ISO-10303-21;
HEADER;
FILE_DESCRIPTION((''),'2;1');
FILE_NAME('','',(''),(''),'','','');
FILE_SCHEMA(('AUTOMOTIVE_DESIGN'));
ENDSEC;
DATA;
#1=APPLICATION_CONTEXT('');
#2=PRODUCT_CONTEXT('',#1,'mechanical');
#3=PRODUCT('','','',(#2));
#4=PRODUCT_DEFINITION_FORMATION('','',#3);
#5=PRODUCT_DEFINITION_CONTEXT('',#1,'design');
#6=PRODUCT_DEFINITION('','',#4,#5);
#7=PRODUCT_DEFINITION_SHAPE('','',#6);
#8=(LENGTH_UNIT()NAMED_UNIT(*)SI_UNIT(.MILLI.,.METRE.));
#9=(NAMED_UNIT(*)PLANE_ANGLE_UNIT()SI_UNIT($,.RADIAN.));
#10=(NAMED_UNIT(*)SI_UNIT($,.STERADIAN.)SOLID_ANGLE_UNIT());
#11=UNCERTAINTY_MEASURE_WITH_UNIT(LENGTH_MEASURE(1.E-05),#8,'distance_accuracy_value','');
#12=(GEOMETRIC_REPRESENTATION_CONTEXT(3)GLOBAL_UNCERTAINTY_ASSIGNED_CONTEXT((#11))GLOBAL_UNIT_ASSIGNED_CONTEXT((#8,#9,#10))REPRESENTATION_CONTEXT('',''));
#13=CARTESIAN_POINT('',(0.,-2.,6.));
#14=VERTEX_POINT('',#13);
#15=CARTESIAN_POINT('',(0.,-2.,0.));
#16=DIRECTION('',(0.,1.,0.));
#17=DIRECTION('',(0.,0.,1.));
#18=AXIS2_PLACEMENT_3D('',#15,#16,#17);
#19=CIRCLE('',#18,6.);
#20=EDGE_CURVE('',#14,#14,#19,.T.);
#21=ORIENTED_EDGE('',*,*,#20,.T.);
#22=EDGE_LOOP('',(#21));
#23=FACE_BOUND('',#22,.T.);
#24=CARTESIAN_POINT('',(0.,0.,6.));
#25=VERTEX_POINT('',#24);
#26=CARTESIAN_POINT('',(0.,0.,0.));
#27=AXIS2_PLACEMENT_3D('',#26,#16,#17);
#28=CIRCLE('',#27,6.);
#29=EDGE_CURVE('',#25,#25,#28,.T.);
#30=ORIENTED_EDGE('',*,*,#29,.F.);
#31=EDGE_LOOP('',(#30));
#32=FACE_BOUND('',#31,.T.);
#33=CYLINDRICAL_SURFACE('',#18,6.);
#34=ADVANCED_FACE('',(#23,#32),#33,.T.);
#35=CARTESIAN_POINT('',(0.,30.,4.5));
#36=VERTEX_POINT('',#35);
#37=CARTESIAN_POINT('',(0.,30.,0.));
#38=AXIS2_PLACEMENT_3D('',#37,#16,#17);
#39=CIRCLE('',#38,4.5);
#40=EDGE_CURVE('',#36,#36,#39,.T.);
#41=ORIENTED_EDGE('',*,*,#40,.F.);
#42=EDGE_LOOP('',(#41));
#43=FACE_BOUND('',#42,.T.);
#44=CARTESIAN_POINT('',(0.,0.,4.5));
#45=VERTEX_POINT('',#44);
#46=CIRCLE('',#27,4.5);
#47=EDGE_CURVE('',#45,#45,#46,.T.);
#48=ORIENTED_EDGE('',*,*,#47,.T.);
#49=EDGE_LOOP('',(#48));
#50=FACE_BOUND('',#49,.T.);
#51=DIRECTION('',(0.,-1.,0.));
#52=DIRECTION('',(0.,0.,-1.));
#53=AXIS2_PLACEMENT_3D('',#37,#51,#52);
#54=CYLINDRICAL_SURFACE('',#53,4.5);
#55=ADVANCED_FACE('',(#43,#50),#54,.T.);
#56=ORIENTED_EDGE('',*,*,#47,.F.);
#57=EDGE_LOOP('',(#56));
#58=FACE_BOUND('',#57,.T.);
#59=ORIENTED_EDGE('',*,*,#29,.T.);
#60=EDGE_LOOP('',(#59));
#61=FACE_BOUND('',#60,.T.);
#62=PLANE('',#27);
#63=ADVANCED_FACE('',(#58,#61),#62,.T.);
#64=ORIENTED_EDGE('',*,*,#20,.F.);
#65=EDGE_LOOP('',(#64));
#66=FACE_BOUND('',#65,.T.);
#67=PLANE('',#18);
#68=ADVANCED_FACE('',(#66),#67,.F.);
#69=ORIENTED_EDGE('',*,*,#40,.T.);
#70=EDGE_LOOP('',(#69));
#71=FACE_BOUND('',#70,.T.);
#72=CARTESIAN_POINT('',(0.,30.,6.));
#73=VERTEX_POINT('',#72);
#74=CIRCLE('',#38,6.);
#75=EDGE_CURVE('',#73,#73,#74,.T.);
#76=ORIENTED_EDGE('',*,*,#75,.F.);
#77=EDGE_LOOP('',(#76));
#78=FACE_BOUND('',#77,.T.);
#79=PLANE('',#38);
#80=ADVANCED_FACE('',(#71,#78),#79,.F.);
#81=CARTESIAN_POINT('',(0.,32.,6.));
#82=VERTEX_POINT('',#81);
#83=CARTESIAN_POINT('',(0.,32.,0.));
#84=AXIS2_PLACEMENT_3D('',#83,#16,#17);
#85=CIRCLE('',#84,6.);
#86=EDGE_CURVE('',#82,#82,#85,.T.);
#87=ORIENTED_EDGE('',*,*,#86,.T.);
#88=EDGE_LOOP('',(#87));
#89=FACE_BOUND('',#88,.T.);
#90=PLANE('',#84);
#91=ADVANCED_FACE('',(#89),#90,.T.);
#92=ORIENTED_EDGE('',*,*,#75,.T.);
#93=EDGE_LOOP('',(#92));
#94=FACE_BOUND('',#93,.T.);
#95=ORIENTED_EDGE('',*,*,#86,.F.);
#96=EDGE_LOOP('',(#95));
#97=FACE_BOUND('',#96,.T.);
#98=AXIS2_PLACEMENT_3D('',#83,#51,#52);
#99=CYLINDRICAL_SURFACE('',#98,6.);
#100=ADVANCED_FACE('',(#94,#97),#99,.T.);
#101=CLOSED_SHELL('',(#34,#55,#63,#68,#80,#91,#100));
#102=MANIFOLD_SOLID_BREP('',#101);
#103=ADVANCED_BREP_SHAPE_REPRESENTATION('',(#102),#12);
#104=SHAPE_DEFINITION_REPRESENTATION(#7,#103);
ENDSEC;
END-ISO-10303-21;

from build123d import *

# Parameters (mm, degrees)
SKETCH1_R           = 4.5
BOSS_EXTRUDE1_DEPTH = 30
SKETCH2_R           = 6
BOSS_EXTRUDE2_DEPTH = 2
SKETCH3_R           = 6
BOSS_EXTRUDE3_DEPTH = 2


with BuildPart() as part:
    # Sketch1 → Boss-Extrude1 (new body)
    with BuildSketch(Plane(origin=(0, 0, 0), x_dir=(1, 0, 0), z_dir=(0, 1, 0))):
        Circle(SKETCH1_R)
    extrude(amount=BOSS_EXTRUDE1_DEPTH)

    # Sketch2 → Boss-Extrude2 (add)
    with BuildSketch(Plane(origin=(0, 0, 0), x_dir=(1, 0, 0), z_dir=(0, 1, 0))):
        Circle(SKETCH2_R)
    extrude(amount=-BOSS_EXTRUDE2_DEPTH)

    # Sketch3 → Boss-Extrude3 (add)
    with BuildSketch(Plane(origin=(0, 30, 0), x_dir=(1, 0, 0), z_dir=(0, 1, 0))):
        Circle(SKETCH3_R)
    extrude(amount=BOSS_EXTRUDE3_DEPTH)


solid = part.part
